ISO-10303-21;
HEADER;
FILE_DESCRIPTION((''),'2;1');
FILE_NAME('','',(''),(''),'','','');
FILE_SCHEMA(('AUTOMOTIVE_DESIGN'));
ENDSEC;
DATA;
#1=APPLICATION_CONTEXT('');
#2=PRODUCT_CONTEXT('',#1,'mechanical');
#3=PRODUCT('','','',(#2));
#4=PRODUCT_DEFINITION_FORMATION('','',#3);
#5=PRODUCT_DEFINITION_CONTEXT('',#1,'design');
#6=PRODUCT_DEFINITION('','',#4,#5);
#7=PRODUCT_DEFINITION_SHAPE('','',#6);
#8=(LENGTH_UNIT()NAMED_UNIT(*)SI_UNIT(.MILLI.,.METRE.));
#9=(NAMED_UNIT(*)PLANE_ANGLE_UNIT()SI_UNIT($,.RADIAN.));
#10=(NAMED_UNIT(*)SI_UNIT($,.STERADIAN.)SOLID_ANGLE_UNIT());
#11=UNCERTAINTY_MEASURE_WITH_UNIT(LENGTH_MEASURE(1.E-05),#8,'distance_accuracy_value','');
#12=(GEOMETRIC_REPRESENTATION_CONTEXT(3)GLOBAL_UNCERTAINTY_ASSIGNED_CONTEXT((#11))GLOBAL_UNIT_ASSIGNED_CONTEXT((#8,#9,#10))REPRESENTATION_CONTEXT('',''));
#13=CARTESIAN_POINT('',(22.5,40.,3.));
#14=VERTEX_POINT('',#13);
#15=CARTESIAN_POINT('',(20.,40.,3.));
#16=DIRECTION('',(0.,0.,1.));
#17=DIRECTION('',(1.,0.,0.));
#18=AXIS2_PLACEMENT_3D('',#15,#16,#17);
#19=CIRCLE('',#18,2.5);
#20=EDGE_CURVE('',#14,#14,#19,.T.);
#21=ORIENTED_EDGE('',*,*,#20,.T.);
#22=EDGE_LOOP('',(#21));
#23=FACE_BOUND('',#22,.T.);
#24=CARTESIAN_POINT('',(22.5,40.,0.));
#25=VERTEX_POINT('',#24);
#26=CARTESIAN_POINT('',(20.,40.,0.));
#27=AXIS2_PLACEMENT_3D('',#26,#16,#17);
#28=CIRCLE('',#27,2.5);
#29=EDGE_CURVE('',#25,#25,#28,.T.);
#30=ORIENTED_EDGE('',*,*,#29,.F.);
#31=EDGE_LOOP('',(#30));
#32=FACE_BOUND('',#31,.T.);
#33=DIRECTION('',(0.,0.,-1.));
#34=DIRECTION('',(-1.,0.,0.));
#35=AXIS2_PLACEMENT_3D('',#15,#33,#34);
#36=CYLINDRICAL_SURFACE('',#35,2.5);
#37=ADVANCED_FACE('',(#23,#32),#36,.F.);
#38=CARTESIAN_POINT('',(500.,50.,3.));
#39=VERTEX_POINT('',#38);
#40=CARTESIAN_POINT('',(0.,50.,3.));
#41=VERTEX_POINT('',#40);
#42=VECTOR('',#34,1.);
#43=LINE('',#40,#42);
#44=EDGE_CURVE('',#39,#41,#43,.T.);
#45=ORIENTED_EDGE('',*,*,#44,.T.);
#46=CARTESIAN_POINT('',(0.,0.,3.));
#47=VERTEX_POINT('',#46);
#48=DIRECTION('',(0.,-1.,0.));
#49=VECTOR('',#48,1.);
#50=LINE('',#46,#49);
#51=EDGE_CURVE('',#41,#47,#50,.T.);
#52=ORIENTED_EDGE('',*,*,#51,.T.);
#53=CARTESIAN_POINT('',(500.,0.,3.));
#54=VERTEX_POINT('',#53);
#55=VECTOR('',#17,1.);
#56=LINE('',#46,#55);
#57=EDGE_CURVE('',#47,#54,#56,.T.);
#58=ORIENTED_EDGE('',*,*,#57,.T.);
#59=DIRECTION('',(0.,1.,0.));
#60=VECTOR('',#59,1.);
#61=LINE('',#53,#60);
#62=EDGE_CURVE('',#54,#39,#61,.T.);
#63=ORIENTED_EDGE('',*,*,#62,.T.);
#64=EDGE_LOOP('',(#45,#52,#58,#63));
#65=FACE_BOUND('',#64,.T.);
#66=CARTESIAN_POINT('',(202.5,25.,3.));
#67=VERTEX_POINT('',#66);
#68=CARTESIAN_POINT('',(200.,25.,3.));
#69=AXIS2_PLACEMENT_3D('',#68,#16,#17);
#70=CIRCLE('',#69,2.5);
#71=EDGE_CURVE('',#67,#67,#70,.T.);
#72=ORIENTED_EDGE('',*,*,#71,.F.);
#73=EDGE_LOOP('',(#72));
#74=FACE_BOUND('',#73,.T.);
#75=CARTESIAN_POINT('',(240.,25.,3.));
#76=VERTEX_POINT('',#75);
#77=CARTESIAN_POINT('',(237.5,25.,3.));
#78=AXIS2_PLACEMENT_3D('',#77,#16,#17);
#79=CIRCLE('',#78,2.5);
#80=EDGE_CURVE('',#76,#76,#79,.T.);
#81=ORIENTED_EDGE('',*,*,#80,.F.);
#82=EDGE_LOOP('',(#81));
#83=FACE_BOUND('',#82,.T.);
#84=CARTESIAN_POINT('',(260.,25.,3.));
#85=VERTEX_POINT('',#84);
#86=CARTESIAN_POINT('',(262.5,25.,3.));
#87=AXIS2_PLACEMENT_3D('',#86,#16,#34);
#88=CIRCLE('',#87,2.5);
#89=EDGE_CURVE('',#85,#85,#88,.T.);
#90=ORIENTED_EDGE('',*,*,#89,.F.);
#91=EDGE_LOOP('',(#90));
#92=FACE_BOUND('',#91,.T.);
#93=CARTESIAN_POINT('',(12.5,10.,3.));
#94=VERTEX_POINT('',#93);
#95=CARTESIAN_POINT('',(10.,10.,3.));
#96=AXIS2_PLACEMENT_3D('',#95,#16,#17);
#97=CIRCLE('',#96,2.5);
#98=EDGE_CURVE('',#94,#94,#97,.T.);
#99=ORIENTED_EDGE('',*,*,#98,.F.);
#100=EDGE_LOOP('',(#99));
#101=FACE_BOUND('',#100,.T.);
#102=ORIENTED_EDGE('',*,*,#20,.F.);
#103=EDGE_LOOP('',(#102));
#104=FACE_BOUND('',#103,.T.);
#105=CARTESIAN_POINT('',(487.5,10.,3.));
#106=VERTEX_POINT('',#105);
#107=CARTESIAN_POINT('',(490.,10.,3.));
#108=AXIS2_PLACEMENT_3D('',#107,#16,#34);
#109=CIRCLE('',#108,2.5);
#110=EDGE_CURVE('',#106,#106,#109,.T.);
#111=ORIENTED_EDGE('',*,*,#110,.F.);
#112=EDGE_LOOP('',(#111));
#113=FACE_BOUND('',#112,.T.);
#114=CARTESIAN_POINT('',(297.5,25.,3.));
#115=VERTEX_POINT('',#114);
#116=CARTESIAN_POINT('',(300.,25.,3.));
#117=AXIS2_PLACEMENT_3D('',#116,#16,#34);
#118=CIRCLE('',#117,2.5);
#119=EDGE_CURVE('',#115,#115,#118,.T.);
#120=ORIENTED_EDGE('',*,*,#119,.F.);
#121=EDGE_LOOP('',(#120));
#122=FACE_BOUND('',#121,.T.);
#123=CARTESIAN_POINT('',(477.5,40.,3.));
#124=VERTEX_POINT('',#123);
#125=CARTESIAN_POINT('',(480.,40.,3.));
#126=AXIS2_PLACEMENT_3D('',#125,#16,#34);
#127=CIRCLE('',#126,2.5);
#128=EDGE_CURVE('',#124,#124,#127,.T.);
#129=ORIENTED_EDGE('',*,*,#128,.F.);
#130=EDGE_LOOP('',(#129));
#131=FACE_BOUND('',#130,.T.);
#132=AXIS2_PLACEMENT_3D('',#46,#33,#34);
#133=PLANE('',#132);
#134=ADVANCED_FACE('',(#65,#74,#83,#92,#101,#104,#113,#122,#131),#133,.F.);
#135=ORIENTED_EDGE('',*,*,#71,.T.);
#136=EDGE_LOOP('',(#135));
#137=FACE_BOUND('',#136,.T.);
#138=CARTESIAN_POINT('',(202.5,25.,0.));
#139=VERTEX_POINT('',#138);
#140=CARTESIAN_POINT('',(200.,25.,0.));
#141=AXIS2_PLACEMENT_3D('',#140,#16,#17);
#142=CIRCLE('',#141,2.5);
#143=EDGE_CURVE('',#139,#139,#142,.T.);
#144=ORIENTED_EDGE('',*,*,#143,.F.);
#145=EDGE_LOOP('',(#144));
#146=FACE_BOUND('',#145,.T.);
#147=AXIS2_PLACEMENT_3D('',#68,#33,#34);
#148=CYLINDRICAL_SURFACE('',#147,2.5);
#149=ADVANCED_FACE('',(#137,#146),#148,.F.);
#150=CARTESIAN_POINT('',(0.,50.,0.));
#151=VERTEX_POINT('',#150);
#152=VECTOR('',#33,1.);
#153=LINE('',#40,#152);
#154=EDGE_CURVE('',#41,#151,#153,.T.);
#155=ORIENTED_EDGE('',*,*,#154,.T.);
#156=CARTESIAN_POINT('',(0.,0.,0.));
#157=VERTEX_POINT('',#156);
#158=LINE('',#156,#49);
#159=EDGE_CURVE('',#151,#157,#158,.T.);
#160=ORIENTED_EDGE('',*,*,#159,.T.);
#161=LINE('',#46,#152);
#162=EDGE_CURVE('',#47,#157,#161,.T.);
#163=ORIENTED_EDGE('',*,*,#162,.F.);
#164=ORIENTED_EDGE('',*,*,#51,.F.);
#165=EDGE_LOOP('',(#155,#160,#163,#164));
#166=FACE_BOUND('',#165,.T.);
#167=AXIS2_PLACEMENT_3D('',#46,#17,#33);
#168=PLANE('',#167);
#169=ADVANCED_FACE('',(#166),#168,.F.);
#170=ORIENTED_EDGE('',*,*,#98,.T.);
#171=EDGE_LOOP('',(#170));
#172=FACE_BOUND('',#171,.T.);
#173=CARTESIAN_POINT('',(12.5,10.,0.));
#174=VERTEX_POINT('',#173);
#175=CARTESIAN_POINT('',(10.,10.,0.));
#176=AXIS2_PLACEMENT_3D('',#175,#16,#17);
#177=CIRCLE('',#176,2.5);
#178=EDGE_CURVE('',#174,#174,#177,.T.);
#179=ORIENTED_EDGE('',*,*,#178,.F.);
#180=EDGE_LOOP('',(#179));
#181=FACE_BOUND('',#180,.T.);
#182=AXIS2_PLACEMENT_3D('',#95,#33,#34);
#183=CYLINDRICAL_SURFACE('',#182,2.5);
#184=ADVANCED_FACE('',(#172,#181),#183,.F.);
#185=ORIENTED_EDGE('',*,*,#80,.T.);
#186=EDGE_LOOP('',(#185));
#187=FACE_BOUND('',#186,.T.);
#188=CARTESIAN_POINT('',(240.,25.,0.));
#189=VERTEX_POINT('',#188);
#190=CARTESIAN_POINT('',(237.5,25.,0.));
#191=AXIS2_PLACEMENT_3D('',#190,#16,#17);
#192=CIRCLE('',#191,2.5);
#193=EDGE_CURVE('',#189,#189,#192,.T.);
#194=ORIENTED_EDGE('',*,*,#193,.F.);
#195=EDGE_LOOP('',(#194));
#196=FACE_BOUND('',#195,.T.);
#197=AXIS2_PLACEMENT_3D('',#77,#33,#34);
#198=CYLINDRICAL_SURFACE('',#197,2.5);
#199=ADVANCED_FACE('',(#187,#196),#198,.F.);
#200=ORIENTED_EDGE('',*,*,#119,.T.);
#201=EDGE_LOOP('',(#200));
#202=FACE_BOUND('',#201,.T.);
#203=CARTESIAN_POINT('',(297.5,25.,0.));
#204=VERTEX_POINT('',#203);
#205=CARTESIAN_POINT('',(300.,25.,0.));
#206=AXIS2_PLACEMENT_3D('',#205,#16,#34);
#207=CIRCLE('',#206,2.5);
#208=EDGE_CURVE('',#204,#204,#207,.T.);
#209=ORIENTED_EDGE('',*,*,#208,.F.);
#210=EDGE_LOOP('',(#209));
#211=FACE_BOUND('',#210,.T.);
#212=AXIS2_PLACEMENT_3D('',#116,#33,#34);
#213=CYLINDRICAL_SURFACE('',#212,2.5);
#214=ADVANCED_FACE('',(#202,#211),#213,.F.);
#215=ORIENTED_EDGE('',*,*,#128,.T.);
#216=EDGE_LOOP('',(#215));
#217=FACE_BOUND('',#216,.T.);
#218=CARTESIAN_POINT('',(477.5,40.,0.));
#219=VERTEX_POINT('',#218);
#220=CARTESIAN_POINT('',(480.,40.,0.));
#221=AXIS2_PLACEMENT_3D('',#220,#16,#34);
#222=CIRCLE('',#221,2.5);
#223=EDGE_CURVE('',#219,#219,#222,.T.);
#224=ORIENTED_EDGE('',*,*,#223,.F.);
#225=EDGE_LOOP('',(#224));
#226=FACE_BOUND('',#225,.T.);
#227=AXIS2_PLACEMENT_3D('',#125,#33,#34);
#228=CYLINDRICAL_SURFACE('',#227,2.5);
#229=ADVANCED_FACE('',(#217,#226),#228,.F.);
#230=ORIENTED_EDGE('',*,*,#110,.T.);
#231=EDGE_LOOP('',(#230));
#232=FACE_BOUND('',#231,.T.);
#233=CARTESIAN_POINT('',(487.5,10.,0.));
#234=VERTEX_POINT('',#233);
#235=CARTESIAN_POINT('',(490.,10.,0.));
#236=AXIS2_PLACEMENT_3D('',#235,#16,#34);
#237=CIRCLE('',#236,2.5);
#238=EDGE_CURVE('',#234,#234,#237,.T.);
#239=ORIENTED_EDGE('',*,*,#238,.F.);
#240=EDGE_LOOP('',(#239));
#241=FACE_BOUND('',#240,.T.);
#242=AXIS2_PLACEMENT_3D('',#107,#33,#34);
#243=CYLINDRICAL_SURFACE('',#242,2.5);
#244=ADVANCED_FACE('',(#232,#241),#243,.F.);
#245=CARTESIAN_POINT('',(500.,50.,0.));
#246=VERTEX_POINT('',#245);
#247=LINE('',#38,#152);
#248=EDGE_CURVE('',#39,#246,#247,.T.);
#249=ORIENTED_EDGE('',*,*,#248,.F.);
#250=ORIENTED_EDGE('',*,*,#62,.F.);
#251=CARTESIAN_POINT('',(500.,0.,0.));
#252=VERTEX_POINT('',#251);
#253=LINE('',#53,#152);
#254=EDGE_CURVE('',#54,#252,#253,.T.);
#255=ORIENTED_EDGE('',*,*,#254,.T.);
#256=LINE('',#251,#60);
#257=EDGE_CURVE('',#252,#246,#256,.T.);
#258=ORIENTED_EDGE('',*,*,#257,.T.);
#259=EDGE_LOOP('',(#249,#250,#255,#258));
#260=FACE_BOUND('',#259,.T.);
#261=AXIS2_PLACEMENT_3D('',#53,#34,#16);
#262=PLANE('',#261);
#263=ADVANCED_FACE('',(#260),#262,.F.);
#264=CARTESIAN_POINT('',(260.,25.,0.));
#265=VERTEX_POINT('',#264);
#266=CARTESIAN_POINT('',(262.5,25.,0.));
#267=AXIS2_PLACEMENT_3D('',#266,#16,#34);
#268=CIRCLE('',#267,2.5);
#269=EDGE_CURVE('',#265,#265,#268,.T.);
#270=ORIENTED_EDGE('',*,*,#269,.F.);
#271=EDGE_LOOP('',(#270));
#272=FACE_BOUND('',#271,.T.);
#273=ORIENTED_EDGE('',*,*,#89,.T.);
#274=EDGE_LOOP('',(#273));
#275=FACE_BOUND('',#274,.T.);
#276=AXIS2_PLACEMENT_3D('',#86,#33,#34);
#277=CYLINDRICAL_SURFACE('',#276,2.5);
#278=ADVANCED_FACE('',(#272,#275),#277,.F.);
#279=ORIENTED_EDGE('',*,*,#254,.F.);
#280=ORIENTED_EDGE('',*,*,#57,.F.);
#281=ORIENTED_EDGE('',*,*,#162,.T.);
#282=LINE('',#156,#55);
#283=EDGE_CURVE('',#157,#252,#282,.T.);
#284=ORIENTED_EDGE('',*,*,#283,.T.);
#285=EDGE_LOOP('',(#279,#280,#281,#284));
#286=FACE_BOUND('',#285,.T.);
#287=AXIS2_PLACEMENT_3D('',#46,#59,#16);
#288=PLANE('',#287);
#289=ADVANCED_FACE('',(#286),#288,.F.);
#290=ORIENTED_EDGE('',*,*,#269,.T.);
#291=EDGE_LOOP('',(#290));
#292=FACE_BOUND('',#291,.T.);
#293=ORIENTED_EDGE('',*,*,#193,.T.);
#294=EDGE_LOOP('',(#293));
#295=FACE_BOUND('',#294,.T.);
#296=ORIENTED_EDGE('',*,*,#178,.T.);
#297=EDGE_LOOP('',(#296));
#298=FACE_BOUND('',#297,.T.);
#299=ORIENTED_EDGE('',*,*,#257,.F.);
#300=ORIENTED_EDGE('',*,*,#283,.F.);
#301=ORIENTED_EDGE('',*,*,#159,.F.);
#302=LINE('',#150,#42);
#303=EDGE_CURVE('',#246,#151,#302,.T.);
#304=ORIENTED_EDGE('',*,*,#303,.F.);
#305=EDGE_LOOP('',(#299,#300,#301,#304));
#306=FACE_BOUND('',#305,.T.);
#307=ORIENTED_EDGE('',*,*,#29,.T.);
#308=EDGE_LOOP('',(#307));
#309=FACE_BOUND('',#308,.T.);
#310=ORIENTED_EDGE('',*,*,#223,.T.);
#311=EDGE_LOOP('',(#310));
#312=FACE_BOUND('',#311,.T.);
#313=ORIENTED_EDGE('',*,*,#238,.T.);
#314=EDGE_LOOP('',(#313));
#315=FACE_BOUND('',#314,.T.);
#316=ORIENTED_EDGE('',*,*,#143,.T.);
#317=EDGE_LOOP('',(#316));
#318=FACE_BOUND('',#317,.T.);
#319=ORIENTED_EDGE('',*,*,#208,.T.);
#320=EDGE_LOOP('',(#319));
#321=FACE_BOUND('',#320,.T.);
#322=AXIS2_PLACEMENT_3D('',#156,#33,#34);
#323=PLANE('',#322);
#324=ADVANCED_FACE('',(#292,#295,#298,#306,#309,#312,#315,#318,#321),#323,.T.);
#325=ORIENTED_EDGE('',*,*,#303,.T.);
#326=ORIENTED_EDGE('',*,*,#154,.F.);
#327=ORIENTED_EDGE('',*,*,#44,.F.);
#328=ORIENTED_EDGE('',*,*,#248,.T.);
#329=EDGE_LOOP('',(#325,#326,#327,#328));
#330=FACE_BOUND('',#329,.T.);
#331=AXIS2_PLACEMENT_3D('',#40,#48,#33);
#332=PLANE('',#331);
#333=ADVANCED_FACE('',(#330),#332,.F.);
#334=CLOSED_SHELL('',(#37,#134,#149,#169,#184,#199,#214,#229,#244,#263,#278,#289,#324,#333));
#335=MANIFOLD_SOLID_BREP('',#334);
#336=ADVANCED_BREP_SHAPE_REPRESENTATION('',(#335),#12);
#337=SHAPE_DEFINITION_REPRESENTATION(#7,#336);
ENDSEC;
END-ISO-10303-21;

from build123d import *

# Parameters (mm, degrees)
SKETCH1_W           = 500
SKETCH1_H           = 50
SKETCH1_R           = 2.5
BOSS_EXTRUDE1_DEPTH = 3


with BuildPart() as part:
    # Sketch1 → Boss-Extrude1 (new body)
    with BuildSketch(Plane.XY):
        with Locations((250, 25)):
            Rectangle(SKETCH1_W, SKETCH1_H)
        with Locations((20, 40)):
            Circle(SKETCH1_R, mode=Mode.SUBTRACT)
        with Locations((200, 25)):
            Circle(SKETCH1_R, mode=Mode.SUBTRACT)
        with Locations((237.5, 25)):
            Circle(SKETCH1_R, mode=Mode.SUBTRACT)
        with Locations((10, 10)):
            Circle(SKETCH1_R, mode=Mode.SUBTRACT)
        with Locations(Location((262.5, 25, 0), (0, 0, 180))):
            Circle(SKETCH1_R, mode=Mode.SUBTRACT)
        with Locations(Location((300, 25, 0), (0, 0, 180))):
            Circle(SKETCH1_R, mode=Mode.SUBTRACT)
        with Locations(Location((480, 40, 0), (0, 0, 180))):
            Circle(SKETCH1_R, mode=Mode.SUBTRACT)
        with Locations(Location((490, 10, 0), (0, 0, 180))):
            Circle(SKETCH1_R, mode=Mode.SUBTRACT)
    extrude(amount=BOSS_EXTRUDE1_DEPTH)


solid = part.part
